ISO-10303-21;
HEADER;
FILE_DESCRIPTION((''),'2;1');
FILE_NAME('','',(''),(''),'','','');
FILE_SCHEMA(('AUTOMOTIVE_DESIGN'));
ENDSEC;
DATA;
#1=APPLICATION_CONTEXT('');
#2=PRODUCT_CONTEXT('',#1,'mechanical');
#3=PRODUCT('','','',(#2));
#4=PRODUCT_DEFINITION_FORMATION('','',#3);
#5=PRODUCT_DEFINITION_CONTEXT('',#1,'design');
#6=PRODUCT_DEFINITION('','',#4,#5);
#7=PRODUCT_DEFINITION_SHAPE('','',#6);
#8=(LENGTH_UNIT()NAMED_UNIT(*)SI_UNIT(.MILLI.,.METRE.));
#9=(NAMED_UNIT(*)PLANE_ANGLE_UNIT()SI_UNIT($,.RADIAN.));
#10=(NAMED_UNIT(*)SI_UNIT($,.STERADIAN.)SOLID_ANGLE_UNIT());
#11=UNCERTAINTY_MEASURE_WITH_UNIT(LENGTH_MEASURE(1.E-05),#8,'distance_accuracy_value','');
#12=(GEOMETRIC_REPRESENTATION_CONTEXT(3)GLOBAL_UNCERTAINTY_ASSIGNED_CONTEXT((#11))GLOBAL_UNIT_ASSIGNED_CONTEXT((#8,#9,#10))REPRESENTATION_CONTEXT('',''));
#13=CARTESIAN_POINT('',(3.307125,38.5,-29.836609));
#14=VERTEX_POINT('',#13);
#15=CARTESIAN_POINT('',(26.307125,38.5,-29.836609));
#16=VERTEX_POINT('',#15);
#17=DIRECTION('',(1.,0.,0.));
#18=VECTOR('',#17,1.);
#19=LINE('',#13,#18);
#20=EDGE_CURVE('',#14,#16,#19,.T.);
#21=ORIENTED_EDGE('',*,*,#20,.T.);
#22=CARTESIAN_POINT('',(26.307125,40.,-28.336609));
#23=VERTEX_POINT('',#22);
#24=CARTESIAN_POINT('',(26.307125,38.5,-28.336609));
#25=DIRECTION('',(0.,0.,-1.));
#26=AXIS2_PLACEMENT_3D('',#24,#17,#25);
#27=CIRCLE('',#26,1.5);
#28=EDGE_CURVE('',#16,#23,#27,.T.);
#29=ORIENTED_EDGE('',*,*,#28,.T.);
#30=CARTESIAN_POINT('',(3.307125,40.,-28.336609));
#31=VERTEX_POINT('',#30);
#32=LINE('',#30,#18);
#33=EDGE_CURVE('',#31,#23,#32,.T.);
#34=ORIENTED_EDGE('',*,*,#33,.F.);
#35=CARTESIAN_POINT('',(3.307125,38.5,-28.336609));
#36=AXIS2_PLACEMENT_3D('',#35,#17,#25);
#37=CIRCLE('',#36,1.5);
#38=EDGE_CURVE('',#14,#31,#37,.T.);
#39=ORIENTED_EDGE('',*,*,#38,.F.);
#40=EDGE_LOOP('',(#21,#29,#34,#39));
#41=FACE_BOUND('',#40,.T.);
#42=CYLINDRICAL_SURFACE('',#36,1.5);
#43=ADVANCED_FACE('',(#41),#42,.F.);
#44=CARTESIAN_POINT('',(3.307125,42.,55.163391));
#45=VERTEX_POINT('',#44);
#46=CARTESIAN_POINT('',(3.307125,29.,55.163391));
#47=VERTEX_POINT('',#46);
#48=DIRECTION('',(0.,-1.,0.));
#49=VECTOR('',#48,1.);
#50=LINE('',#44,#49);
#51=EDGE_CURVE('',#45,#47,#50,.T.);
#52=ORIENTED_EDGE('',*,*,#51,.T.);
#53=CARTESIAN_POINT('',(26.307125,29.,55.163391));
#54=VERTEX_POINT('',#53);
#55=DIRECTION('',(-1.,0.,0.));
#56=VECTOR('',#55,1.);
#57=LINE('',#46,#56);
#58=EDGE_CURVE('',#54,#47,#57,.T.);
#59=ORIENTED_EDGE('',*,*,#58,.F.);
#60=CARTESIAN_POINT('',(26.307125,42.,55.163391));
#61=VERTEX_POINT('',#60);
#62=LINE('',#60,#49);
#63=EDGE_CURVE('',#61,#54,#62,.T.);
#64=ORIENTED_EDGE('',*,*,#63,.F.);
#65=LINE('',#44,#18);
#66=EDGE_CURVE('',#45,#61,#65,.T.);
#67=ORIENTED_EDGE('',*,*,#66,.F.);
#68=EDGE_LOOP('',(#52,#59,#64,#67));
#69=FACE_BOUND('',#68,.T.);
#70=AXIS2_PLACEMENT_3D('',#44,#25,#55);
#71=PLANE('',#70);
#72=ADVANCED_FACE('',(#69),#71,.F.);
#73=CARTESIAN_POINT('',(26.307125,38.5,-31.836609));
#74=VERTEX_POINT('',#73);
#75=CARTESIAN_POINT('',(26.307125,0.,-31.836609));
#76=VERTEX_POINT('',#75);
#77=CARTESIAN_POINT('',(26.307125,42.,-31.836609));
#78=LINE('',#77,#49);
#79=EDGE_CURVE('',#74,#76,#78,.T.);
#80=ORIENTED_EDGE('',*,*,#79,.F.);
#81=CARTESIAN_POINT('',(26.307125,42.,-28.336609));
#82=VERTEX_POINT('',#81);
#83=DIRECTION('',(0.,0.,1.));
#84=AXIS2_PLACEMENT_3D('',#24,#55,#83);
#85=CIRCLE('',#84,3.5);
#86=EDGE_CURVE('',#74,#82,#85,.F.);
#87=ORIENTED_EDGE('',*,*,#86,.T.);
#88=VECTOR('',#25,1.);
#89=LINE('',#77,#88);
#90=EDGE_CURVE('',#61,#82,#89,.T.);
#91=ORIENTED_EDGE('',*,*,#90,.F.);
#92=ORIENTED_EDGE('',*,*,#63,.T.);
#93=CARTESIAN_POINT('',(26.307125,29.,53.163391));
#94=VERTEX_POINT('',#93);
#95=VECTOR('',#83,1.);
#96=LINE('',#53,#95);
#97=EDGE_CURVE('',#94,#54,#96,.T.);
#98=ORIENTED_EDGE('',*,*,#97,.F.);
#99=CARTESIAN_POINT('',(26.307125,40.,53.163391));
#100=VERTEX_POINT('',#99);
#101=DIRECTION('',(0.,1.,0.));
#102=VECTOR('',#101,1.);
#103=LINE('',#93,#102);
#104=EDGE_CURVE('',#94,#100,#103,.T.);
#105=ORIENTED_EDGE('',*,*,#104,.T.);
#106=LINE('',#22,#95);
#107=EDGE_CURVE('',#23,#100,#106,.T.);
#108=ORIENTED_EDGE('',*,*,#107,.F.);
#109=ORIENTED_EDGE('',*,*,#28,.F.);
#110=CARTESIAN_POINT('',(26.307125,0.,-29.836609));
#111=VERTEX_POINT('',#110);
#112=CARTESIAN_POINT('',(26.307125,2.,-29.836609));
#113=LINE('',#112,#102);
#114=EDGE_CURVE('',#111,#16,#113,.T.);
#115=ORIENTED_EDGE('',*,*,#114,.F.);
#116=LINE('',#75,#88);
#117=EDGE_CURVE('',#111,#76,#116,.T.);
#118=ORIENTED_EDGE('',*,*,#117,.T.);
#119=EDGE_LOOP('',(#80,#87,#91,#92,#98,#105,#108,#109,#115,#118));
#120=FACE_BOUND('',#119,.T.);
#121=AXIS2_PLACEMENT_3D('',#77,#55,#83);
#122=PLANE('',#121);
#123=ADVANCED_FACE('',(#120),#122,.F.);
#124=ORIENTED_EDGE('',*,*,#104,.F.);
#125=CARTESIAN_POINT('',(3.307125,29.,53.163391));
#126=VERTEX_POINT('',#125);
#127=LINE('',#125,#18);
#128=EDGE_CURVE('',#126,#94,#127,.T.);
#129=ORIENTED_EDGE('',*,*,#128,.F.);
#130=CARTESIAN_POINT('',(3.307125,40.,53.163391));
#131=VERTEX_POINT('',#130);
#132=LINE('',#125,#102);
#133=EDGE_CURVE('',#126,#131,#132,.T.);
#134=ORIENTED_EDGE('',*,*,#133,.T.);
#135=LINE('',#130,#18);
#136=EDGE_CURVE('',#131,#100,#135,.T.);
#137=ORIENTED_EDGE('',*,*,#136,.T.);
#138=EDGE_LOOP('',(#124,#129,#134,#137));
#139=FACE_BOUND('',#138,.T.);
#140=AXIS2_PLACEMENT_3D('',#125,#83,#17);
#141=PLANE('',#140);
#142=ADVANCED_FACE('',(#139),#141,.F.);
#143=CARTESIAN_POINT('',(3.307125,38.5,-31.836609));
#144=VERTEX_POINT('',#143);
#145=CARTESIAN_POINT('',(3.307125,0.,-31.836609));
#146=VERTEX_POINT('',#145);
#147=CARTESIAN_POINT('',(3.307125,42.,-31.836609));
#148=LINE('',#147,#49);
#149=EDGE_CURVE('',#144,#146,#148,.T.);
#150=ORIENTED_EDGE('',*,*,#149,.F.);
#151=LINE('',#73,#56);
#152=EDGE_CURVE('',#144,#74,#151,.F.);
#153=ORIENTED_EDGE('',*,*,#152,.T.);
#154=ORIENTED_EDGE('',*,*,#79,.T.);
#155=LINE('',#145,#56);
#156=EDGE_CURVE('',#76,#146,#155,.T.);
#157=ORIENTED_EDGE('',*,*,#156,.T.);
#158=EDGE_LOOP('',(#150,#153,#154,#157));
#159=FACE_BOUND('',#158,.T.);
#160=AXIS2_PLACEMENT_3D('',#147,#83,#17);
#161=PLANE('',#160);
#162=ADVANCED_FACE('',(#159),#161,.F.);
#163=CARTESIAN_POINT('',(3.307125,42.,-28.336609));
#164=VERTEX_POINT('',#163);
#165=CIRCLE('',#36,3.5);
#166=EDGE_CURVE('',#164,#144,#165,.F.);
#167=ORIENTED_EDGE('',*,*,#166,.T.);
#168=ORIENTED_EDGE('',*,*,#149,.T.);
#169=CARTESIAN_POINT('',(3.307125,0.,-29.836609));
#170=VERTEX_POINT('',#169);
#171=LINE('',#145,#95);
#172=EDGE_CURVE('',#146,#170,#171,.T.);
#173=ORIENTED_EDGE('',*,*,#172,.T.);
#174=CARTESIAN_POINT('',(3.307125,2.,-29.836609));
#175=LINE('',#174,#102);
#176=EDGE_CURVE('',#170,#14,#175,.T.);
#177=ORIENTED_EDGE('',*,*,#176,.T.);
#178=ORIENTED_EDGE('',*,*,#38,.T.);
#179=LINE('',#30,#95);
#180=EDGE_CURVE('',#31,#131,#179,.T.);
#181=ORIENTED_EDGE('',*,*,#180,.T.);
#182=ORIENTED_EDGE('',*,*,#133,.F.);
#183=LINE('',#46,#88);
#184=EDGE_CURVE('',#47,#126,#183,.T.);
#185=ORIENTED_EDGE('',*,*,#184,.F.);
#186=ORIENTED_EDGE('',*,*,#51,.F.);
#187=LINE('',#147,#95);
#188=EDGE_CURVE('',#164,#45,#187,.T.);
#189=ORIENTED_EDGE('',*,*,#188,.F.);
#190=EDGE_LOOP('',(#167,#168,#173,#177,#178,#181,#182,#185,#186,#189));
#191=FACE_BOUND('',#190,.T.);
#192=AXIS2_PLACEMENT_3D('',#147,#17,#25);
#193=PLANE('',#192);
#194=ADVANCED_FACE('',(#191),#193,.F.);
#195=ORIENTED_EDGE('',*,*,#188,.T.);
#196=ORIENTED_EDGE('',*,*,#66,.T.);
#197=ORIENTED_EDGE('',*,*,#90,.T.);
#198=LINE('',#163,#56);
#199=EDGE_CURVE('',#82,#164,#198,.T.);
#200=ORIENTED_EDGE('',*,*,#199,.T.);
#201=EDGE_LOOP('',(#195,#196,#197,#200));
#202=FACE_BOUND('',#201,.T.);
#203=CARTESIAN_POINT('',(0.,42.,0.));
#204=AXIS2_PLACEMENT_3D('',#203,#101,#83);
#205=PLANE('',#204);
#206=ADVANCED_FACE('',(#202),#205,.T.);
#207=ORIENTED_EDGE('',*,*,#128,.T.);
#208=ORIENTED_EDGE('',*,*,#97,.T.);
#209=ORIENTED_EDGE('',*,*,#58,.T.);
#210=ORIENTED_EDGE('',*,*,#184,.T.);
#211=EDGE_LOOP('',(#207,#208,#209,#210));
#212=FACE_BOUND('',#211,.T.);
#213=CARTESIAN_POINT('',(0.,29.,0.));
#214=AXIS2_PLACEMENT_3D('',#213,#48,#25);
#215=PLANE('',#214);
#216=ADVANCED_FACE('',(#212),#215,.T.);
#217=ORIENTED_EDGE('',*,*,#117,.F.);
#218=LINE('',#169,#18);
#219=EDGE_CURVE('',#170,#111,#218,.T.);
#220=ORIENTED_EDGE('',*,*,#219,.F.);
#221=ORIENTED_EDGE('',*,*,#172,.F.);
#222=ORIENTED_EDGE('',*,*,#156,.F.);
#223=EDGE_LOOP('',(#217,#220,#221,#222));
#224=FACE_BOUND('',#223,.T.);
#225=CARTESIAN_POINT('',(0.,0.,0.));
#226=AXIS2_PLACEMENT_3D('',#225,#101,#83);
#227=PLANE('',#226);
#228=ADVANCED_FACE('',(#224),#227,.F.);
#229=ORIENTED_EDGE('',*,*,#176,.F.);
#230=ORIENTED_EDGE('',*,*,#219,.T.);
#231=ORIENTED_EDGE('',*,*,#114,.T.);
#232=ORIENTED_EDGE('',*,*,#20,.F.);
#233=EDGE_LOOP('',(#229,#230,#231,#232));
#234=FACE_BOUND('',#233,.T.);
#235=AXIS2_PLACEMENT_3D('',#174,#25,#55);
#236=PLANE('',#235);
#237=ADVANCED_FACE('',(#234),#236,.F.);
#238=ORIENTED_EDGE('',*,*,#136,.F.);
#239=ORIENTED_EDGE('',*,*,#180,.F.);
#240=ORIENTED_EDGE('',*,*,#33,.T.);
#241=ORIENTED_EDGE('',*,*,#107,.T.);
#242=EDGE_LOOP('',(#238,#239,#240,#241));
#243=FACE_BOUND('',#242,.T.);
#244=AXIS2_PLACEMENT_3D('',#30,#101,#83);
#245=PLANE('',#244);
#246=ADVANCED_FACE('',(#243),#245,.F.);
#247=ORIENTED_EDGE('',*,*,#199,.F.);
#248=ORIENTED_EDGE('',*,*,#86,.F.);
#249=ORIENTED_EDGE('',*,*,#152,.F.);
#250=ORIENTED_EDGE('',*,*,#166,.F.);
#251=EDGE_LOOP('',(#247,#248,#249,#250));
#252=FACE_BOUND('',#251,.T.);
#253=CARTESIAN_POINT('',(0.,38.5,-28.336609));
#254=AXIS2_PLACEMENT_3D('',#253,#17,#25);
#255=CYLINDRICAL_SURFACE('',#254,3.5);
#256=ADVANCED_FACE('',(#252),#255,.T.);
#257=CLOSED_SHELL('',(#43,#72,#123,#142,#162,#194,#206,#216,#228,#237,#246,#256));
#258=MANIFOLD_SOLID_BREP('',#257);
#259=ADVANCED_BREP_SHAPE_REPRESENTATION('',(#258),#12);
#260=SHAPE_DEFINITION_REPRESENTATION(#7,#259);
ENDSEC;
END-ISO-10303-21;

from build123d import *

# Parameters (mm, degrees)
SKETCH1_W           = 23
SKETCH1_H           = 87
BOSS_EXTRUDE1_DEPTH = 42
FILLET1_R           = 3.5
CUT_EXTRUDE1_DEPTH  = 24
SKETCH3_W           = 2
SKETCH3_H           = 40
CUT_EXTRUDE3_DEPTH  = 24
SKETCH4_W           = 83
SKETCH4_H           = 2
CUT_EXTRUDE5_DEPTH  = 24
SKETCH6_W           = 23
SKETCH6_H           = 2
BOSS_EXTRUDE2_DEPTH = 11


with BuildPart() as part:
    # Sketch1 → Boss-Extrude1 (new body)
    with BuildSketch(Plane(origin=(0, 0, 0), x_dir=(1, 0, 0), z_dir=(0, 1, 0))):
        with Locations((14.807125307, -11.663390663)):
            Rectangle(SKETCH1_W, SKETCH1_H)
    extrude(amount=BOSS_EXTRUDE1_DEPTH)

    # Fillet1
    fillet1_edges = [part.edges().sort_by_distance(p)[0] for p in [
        (14.807125307, 42, -31.836609337),
    ]]
    fillet(fillet1_edges, radius=FILLET1_R)

    # Sketch2 → Cut-Extrude1 (cut, through all)
    with BuildSketch(Plane(origin=(26.307125307, 0, 0), x_dir=(0, 0, -1), z_dir=(1, 0, 0))):
        with BuildLine():
            Line((29.836609337, 2), (29.836609337, 38.5))
            ThreePointArc((29.836609337, 38.5), (29.397269508, 39.560660172), (28.336609337, 40))
            Line((28.336609337, 40), (-53.163390663, 40))
            Line((-53.163390663, 40), (-53.163390663, 2))
            Line((-53.163390663, 2), (29.836609337, 2))
        make_face()
    extrude(amount=-CUT_EXTRUDE1_DEPTH, mode=Mode.SUBTRACT)

    # Sketch3 → Cut-Extrude3 (cut, through all)
    with BuildSketch(Plane(origin=(26.307125307, 0, 0), x_dir=(0, 0, -1), z_dir=(1, 0, 0))):
        with Locations((-54.163390663, 20)):
            Rectangle(SKETCH3_W, SKETCH3_H)
    extrude(amount=-CUT_EXTRUDE3_DEPTH, mode=Mode.SUBTRACT)

    # Sketch4 → Cut-Extrude5 (cut, through all)
    with BuildSketch(Plane(origin=(26.307125307, 0, 0), x_dir=(0, 0, -1), z_dir=(1, 0, 0))):
        with Locations((-11.663390663, 1)):
            Rectangle(SKETCH4_W, SKETCH4_H)
    extrude(amount=-CUT_EXTRUDE5_DEPTH, mode=Mode.SUBTRACT)

    # Sketch6 → Boss-Extrude2 (add)
    with BuildSketch(Plane.XZ.offset(-40)):
        with Locations((14.807125307, 54.163390663)):
            Rectangle(SKETCH6_W, SKETCH6_H)
    extrude(amount=BOSS_EXTRUDE2_DEPTH)


solid = part.part
